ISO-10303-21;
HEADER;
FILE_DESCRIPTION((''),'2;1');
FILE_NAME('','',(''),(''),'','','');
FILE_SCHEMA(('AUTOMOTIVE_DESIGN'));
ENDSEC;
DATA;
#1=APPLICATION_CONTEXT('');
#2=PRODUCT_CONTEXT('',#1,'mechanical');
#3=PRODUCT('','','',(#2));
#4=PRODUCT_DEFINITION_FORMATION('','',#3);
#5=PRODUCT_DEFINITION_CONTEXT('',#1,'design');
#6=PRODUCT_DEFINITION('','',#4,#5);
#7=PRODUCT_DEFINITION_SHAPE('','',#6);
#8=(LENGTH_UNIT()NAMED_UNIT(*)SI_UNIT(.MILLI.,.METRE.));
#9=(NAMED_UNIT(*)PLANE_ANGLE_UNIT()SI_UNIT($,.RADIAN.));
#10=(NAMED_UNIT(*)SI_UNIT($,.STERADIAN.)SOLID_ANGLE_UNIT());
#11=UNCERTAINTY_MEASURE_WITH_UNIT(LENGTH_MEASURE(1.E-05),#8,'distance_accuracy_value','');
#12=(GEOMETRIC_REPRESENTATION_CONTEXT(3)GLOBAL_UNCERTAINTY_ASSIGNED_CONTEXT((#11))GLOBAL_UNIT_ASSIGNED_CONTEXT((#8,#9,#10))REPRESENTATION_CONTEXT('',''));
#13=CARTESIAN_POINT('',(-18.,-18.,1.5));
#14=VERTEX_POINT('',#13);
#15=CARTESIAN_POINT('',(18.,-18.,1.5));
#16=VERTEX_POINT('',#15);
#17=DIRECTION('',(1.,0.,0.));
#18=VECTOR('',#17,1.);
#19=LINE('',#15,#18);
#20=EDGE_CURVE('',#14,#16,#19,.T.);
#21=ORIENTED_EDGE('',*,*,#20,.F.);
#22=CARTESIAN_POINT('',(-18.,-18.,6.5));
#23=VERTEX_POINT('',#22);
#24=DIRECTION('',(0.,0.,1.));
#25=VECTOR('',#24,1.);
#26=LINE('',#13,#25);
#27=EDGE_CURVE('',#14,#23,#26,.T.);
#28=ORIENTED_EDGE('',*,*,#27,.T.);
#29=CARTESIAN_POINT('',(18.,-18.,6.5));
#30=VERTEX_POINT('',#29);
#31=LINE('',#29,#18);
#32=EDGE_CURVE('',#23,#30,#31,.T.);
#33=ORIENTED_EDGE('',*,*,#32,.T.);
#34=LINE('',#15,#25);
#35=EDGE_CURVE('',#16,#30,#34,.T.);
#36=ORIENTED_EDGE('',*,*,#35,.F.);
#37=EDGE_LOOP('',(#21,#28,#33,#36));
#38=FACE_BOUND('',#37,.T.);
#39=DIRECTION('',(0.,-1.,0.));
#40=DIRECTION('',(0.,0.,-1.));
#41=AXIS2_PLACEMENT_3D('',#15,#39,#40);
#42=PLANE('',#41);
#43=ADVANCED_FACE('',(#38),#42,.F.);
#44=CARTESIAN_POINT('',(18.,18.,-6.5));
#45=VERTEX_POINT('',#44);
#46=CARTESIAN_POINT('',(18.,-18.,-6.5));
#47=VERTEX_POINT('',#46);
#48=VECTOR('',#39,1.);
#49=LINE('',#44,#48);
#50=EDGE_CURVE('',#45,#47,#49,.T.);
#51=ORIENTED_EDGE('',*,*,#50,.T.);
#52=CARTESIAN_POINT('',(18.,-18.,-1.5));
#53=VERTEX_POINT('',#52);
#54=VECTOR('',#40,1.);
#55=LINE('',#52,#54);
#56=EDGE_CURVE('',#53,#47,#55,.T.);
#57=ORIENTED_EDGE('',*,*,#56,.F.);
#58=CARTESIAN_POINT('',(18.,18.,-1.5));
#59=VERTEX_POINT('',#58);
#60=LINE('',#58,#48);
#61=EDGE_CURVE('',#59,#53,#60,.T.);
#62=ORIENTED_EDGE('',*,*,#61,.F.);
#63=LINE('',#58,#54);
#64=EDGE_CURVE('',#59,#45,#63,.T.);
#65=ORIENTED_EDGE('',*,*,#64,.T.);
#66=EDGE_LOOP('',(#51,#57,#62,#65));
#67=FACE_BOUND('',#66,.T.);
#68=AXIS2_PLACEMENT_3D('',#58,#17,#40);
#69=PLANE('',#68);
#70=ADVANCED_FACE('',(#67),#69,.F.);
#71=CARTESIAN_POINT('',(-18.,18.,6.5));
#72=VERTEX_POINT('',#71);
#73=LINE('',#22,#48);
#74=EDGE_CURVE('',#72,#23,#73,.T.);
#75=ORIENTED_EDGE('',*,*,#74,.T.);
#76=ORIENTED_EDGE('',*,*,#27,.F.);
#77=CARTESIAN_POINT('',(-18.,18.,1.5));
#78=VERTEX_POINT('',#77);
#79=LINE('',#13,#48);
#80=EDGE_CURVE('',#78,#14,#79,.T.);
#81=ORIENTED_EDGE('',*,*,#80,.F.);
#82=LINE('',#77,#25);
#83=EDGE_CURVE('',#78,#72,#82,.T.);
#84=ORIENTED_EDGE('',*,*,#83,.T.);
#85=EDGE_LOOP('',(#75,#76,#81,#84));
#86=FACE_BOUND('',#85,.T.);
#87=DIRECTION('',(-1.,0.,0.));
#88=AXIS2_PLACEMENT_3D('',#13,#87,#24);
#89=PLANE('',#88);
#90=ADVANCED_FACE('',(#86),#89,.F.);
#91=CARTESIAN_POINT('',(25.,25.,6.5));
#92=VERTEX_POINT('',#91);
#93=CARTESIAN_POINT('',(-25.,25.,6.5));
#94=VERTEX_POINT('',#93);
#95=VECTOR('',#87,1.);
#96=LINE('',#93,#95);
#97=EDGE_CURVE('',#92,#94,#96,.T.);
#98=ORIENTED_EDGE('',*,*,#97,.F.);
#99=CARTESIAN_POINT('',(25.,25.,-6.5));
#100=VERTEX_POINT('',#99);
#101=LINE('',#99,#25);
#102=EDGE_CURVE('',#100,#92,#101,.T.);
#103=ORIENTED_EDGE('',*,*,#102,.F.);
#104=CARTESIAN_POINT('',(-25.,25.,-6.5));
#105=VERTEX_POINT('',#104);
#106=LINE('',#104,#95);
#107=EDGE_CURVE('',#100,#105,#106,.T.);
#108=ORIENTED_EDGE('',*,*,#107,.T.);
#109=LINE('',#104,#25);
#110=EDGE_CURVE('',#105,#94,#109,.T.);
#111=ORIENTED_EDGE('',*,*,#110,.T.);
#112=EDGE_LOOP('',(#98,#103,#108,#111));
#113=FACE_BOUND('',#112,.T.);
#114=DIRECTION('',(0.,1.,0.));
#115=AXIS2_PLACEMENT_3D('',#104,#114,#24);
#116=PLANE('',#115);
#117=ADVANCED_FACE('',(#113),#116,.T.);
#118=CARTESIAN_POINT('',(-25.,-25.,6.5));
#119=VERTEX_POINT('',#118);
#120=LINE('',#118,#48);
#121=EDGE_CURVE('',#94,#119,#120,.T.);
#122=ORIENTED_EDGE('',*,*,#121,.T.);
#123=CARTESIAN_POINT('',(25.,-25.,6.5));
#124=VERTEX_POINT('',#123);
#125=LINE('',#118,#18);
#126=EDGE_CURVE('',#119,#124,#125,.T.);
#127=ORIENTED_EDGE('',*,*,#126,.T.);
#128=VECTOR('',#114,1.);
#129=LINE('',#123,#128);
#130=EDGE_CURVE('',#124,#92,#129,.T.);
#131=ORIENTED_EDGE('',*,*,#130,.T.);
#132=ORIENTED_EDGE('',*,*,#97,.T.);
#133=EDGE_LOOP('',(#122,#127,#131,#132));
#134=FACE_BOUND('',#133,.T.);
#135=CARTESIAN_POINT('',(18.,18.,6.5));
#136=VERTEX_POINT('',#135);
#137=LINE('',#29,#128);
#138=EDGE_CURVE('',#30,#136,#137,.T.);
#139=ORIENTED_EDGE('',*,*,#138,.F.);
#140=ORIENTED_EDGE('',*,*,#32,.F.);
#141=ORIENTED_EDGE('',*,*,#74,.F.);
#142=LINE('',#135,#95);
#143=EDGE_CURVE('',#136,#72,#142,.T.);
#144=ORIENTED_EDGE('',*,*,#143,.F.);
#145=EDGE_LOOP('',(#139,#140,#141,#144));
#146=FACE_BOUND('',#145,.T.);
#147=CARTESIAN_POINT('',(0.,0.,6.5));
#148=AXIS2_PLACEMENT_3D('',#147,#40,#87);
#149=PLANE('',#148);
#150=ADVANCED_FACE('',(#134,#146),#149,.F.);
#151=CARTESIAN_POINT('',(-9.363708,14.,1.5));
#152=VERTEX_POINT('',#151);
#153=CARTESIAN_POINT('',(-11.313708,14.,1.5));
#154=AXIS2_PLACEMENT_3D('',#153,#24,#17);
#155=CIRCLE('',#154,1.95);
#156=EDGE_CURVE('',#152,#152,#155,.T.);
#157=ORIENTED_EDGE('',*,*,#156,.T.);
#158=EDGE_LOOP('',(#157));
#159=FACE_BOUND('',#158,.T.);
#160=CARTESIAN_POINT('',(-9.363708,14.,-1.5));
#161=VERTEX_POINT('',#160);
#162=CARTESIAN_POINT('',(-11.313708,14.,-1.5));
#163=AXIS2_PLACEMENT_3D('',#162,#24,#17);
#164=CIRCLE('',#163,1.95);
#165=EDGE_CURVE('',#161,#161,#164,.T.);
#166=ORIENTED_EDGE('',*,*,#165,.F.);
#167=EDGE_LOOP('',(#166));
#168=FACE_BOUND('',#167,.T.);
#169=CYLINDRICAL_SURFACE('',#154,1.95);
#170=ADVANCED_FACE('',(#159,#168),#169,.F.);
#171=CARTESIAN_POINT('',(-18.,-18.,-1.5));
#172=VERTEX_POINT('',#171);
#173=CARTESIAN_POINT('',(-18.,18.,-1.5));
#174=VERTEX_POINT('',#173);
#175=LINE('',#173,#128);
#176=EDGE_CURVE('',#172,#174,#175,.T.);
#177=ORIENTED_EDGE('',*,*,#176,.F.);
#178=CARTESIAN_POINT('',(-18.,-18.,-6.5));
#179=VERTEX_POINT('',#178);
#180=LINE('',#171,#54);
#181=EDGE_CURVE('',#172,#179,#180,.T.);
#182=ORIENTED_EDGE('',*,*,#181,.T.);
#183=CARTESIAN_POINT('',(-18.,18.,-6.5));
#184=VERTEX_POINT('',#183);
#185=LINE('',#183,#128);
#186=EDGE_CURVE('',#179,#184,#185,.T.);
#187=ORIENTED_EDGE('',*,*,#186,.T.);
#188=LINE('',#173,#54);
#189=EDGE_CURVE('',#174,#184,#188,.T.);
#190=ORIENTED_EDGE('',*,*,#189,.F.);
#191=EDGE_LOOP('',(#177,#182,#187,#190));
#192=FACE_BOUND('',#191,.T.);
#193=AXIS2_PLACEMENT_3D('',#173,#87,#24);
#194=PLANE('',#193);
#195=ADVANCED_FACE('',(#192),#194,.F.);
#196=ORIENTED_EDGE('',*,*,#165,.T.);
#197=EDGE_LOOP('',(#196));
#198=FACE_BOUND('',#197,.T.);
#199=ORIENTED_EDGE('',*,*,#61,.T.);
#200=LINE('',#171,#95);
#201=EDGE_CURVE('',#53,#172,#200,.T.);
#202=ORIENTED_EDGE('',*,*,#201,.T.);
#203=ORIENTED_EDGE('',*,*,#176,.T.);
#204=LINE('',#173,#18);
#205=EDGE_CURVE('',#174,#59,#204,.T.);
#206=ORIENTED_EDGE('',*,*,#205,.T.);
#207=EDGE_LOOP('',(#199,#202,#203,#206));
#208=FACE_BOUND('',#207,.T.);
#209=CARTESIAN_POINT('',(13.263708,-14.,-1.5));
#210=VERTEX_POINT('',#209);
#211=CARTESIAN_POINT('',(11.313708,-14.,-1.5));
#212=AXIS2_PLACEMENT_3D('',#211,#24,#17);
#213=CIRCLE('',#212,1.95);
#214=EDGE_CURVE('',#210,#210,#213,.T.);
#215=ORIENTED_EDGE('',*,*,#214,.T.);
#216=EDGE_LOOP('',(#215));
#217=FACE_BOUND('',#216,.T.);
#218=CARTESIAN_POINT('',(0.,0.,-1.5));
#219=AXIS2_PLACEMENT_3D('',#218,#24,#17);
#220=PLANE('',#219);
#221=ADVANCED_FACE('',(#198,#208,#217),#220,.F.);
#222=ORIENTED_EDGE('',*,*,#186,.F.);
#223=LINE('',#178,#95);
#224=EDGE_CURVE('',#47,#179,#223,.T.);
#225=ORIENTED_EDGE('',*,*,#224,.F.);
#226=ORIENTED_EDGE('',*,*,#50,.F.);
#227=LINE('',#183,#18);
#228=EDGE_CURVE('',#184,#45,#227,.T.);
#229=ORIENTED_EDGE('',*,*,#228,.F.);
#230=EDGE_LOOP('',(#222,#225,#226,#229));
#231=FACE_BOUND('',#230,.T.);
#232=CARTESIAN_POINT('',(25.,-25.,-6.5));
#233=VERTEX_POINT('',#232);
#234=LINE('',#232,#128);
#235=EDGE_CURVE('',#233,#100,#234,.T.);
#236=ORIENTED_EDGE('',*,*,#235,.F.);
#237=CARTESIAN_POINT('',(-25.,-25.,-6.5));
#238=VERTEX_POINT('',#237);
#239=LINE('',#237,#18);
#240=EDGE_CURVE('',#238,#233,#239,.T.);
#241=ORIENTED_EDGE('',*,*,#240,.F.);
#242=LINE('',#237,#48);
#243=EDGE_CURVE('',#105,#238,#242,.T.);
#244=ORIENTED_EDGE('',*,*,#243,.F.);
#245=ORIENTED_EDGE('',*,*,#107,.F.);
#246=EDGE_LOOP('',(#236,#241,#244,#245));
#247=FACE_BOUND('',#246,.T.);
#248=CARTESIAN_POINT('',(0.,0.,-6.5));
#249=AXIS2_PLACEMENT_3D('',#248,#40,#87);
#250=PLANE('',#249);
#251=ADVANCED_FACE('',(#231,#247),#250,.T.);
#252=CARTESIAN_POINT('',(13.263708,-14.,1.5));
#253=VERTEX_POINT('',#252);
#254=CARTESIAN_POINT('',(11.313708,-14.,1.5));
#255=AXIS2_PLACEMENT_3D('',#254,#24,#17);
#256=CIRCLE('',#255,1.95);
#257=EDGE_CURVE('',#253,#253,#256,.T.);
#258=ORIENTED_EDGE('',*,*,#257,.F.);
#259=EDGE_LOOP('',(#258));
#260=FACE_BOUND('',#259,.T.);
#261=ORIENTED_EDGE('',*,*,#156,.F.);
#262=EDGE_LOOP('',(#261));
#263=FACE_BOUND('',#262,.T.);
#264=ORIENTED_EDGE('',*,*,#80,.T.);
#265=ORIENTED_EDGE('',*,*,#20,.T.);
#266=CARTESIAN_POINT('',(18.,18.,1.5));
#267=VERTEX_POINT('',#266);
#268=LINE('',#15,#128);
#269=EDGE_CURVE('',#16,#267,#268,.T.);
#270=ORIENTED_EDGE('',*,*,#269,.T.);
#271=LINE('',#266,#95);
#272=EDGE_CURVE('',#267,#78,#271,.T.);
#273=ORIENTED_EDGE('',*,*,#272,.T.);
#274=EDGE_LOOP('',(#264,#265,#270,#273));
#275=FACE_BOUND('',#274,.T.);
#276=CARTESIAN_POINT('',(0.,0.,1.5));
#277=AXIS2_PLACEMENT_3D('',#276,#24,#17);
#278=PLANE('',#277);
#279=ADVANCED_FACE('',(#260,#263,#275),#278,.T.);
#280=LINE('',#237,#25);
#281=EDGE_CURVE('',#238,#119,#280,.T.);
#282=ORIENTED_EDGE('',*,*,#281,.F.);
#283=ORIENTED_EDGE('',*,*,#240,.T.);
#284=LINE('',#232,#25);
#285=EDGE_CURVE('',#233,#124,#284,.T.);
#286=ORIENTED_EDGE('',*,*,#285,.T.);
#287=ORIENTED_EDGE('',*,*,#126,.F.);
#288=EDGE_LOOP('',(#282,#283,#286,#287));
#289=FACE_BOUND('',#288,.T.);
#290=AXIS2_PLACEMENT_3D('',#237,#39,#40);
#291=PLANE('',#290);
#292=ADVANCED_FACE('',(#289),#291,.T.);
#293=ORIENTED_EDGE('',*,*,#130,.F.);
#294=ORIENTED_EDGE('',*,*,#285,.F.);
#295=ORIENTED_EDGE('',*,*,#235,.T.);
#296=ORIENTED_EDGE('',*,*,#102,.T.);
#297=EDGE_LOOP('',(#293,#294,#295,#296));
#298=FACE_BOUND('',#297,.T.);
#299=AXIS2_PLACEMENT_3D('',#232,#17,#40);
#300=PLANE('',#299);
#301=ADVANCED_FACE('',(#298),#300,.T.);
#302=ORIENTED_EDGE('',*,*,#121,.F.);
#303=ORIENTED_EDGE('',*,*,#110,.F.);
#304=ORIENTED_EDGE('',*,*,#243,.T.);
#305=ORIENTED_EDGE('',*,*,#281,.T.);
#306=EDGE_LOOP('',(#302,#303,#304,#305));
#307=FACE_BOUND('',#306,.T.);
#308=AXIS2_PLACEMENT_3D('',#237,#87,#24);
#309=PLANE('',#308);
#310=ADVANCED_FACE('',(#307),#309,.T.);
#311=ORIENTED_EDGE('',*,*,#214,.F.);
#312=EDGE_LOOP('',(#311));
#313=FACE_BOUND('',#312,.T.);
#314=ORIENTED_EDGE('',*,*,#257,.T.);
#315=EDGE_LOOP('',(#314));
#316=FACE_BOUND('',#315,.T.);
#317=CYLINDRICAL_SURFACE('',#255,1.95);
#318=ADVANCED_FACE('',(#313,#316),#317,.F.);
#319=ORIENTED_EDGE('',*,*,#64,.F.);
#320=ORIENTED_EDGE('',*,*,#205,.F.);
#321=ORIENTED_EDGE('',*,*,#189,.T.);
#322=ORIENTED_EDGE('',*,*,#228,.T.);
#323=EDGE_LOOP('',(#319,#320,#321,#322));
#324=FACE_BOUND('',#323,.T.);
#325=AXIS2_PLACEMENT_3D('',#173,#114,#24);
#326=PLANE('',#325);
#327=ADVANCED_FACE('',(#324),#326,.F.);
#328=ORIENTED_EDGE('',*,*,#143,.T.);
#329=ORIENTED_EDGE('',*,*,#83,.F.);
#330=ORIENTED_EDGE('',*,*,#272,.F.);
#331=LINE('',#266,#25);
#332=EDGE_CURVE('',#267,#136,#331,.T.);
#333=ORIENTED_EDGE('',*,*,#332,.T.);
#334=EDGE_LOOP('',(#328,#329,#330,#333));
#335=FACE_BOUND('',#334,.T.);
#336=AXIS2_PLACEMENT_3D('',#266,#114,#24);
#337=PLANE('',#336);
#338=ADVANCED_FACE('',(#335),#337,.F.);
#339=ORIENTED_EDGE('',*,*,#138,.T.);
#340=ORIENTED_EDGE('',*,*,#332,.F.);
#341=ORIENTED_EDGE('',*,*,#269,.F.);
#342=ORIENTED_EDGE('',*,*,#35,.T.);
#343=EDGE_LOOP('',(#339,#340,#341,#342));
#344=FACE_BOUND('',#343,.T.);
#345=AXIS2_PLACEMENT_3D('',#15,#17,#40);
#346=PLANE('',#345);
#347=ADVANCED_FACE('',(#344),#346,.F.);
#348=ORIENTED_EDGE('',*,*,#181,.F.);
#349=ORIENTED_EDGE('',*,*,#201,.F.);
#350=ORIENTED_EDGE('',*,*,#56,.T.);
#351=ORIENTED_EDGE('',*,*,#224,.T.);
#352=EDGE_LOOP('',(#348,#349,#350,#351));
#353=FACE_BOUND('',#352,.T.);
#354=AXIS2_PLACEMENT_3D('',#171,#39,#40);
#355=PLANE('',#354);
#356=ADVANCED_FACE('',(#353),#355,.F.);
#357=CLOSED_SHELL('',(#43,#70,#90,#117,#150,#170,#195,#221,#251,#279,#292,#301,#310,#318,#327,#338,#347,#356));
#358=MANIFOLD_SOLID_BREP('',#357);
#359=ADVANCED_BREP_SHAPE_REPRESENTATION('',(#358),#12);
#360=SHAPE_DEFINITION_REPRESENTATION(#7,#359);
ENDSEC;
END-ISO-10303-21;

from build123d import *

# Parameters (mm, degrees)
BOSS_EXTRU_1_DEPTH      = 6.5
BOSS_EXTRU_1_DEPTH_BACK = 6.5
ESQUISSE1_W             = 50
ESQUISSE1_H             = 50
ESQUISSE2_W             = 36
ESQUISSE2_H             = 36
ENL_V_MAT_EXTRU_1_DEPTH = 5
ESQUISSE3_W             = 36
ESQUISSE3_H             = 36
ENL_V_MAT_EXTRU_2_DEPTH = 5
D_GAGEMENT_M3_51_D      = 3.9


with BuildPart() as part:
    # Esquisse1 → Boss.-Extru.1 (new, two sides: drawn at the far end of the back side and taken through both)
    with BuildSketch(Plane.XY.offset(-BOSS_EXTRU_1_DEPTH_BACK)):
        Rectangle(ESQUISSE1_W, ESQUISSE1_H)
    extrude(amount=BOSS_EXTRU_1_DEPTH + BOSS_EXTRU_1_DEPTH_BACK)

    # Esquisse2 → Enlèv. mat.-Extru.1 (cut)
    with BuildSketch(Plane.XY.offset(6.5)):
        Rectangle(ESQUISSE2_W, ESQUISSE2_H)
    extrude(amount=-ENL_V_MAT_EXTRU_1_DEPTH, mode=Mode.SUBTRACT)

    # Esquisse3 → Enlèv. mat.-Extru.2 (cut)
    with BuildSketch(Plane(origin=(0, 0, -6.5), x_dir=(-1, 0, 0), z_dir=(0, 0, -1))):
        Rectangle(ESQUISSE3_W, ESQUISSE3_H)
    extrude(amount=-ENL_V_MAT_EXTRU_2_DEPTH, mode=Mode.SUBTRACT)

    # Dégagement M3.51 (through all)
    with Locations(Plane.XY.offset(1.5)):
        with Locations((-11.313708499, 14), (11.313708499, -14)):
            Hole(D_GAGEMENT_M3_51_D / 2)


solid = part.part
